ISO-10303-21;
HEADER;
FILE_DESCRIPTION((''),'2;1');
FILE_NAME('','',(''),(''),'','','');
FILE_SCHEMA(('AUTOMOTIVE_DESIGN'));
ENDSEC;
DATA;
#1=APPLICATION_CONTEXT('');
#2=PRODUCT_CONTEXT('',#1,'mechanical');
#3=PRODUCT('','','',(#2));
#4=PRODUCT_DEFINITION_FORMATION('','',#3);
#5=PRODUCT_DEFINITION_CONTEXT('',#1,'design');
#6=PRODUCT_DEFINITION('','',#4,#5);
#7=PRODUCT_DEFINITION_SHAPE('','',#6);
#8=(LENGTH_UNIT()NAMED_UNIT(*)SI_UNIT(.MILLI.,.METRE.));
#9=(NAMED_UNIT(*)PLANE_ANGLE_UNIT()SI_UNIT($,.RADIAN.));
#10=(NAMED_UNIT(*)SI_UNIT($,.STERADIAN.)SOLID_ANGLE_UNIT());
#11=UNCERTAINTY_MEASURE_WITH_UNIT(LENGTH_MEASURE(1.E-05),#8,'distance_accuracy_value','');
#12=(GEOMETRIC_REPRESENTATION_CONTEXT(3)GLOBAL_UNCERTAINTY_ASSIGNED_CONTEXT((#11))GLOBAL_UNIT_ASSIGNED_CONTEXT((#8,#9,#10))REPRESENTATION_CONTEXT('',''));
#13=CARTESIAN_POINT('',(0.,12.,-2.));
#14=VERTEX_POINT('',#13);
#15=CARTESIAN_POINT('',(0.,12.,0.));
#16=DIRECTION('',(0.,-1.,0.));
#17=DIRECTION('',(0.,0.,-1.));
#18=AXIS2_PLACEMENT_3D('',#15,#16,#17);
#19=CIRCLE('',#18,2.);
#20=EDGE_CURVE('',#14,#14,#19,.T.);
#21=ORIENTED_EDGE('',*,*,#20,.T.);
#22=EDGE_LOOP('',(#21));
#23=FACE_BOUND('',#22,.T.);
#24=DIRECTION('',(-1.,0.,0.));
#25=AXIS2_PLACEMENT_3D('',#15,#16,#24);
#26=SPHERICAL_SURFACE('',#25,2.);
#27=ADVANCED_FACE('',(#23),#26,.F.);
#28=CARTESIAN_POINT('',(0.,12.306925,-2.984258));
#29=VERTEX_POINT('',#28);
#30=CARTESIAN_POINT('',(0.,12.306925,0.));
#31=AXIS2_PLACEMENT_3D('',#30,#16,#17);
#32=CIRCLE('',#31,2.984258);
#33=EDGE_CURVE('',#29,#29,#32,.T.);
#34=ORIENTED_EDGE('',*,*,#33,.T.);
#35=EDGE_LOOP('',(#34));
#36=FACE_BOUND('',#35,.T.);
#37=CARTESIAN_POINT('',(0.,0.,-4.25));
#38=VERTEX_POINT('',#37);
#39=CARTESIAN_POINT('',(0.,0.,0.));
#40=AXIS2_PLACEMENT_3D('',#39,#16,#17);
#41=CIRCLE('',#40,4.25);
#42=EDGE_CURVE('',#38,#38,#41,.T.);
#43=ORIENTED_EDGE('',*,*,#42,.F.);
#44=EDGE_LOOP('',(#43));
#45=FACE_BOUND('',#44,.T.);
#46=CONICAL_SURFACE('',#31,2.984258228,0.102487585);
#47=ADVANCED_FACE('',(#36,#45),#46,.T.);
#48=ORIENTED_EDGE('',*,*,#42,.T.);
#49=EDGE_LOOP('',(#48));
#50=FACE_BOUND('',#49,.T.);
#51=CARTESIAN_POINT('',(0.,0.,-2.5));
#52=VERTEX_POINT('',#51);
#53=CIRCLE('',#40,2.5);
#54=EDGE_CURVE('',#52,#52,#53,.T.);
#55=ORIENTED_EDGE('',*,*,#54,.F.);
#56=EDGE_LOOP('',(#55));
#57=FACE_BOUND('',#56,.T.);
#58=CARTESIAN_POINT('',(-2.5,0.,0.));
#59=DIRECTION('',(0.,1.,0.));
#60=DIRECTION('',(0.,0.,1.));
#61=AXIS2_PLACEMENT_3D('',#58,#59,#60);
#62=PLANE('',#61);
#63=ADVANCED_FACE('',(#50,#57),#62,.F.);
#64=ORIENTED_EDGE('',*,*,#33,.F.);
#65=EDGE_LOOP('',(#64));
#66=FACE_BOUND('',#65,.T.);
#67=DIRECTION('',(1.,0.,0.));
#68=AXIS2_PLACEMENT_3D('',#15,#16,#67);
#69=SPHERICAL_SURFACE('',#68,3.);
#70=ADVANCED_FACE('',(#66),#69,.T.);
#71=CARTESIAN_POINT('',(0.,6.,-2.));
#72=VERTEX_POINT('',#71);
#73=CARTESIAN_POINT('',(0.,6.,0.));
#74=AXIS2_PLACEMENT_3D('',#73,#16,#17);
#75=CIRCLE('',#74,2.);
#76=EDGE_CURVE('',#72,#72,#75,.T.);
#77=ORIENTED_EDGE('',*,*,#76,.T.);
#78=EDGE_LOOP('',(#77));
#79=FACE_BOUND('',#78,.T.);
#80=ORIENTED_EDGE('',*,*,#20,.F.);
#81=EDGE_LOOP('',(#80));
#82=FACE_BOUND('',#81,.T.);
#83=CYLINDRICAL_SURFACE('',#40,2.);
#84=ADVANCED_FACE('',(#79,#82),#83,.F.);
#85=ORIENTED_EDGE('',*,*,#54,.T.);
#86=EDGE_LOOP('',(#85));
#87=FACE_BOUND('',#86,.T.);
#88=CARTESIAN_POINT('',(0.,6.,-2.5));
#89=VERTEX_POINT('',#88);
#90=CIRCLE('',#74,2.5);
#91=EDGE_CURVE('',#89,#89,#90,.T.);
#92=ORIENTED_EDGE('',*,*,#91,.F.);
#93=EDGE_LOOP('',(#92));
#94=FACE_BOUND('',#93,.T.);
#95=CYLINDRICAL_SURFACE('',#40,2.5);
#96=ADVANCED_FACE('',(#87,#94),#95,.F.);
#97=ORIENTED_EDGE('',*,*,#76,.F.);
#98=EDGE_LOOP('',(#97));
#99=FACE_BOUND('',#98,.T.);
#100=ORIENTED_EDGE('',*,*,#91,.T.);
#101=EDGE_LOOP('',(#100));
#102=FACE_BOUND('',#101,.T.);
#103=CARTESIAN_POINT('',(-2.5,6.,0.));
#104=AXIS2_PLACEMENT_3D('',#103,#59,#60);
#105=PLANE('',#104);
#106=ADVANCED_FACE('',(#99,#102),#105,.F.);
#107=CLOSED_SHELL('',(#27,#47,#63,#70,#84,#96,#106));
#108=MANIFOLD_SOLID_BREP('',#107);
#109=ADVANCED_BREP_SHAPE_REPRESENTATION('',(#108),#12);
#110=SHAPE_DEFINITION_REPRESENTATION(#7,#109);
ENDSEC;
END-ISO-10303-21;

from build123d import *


with BuildPart() as part:
    # Esquisse1 → Révolution1 (revolve)
    with BuildSketch(Plane.XY, mode=Mode.PRIVATE) as r_volution1_sk:
        with BuildLine():
            Line((-2.5, 0), (-4.25, 0))
            Line((-4.25, 0), (-2.984258228, 12.306924789))
            ThreePointArc((-2.984258228, 12.306924789), (-2.009878806, 14.227192669), (0, 15))
            Line((0, 15), (0, 14))
            ThreePointArc((0, 14), (-1.414213562, 13.414213562), (-2, 12))
            Line((-2, 12), (-2, 6))
            Line((-2, 6), (-2.5, 6))
            Line((-2.5, 6), (-2.5, 0))
        make_face()
    revolve(r_volution1_sk.sketch.rotate(Axis((0, 0, 0), (0, 1, 0)), 270), axis=Axis((0, 0, 0), (0, 1, 0)))  # turned: the seam where the file's is


solid = part.part
